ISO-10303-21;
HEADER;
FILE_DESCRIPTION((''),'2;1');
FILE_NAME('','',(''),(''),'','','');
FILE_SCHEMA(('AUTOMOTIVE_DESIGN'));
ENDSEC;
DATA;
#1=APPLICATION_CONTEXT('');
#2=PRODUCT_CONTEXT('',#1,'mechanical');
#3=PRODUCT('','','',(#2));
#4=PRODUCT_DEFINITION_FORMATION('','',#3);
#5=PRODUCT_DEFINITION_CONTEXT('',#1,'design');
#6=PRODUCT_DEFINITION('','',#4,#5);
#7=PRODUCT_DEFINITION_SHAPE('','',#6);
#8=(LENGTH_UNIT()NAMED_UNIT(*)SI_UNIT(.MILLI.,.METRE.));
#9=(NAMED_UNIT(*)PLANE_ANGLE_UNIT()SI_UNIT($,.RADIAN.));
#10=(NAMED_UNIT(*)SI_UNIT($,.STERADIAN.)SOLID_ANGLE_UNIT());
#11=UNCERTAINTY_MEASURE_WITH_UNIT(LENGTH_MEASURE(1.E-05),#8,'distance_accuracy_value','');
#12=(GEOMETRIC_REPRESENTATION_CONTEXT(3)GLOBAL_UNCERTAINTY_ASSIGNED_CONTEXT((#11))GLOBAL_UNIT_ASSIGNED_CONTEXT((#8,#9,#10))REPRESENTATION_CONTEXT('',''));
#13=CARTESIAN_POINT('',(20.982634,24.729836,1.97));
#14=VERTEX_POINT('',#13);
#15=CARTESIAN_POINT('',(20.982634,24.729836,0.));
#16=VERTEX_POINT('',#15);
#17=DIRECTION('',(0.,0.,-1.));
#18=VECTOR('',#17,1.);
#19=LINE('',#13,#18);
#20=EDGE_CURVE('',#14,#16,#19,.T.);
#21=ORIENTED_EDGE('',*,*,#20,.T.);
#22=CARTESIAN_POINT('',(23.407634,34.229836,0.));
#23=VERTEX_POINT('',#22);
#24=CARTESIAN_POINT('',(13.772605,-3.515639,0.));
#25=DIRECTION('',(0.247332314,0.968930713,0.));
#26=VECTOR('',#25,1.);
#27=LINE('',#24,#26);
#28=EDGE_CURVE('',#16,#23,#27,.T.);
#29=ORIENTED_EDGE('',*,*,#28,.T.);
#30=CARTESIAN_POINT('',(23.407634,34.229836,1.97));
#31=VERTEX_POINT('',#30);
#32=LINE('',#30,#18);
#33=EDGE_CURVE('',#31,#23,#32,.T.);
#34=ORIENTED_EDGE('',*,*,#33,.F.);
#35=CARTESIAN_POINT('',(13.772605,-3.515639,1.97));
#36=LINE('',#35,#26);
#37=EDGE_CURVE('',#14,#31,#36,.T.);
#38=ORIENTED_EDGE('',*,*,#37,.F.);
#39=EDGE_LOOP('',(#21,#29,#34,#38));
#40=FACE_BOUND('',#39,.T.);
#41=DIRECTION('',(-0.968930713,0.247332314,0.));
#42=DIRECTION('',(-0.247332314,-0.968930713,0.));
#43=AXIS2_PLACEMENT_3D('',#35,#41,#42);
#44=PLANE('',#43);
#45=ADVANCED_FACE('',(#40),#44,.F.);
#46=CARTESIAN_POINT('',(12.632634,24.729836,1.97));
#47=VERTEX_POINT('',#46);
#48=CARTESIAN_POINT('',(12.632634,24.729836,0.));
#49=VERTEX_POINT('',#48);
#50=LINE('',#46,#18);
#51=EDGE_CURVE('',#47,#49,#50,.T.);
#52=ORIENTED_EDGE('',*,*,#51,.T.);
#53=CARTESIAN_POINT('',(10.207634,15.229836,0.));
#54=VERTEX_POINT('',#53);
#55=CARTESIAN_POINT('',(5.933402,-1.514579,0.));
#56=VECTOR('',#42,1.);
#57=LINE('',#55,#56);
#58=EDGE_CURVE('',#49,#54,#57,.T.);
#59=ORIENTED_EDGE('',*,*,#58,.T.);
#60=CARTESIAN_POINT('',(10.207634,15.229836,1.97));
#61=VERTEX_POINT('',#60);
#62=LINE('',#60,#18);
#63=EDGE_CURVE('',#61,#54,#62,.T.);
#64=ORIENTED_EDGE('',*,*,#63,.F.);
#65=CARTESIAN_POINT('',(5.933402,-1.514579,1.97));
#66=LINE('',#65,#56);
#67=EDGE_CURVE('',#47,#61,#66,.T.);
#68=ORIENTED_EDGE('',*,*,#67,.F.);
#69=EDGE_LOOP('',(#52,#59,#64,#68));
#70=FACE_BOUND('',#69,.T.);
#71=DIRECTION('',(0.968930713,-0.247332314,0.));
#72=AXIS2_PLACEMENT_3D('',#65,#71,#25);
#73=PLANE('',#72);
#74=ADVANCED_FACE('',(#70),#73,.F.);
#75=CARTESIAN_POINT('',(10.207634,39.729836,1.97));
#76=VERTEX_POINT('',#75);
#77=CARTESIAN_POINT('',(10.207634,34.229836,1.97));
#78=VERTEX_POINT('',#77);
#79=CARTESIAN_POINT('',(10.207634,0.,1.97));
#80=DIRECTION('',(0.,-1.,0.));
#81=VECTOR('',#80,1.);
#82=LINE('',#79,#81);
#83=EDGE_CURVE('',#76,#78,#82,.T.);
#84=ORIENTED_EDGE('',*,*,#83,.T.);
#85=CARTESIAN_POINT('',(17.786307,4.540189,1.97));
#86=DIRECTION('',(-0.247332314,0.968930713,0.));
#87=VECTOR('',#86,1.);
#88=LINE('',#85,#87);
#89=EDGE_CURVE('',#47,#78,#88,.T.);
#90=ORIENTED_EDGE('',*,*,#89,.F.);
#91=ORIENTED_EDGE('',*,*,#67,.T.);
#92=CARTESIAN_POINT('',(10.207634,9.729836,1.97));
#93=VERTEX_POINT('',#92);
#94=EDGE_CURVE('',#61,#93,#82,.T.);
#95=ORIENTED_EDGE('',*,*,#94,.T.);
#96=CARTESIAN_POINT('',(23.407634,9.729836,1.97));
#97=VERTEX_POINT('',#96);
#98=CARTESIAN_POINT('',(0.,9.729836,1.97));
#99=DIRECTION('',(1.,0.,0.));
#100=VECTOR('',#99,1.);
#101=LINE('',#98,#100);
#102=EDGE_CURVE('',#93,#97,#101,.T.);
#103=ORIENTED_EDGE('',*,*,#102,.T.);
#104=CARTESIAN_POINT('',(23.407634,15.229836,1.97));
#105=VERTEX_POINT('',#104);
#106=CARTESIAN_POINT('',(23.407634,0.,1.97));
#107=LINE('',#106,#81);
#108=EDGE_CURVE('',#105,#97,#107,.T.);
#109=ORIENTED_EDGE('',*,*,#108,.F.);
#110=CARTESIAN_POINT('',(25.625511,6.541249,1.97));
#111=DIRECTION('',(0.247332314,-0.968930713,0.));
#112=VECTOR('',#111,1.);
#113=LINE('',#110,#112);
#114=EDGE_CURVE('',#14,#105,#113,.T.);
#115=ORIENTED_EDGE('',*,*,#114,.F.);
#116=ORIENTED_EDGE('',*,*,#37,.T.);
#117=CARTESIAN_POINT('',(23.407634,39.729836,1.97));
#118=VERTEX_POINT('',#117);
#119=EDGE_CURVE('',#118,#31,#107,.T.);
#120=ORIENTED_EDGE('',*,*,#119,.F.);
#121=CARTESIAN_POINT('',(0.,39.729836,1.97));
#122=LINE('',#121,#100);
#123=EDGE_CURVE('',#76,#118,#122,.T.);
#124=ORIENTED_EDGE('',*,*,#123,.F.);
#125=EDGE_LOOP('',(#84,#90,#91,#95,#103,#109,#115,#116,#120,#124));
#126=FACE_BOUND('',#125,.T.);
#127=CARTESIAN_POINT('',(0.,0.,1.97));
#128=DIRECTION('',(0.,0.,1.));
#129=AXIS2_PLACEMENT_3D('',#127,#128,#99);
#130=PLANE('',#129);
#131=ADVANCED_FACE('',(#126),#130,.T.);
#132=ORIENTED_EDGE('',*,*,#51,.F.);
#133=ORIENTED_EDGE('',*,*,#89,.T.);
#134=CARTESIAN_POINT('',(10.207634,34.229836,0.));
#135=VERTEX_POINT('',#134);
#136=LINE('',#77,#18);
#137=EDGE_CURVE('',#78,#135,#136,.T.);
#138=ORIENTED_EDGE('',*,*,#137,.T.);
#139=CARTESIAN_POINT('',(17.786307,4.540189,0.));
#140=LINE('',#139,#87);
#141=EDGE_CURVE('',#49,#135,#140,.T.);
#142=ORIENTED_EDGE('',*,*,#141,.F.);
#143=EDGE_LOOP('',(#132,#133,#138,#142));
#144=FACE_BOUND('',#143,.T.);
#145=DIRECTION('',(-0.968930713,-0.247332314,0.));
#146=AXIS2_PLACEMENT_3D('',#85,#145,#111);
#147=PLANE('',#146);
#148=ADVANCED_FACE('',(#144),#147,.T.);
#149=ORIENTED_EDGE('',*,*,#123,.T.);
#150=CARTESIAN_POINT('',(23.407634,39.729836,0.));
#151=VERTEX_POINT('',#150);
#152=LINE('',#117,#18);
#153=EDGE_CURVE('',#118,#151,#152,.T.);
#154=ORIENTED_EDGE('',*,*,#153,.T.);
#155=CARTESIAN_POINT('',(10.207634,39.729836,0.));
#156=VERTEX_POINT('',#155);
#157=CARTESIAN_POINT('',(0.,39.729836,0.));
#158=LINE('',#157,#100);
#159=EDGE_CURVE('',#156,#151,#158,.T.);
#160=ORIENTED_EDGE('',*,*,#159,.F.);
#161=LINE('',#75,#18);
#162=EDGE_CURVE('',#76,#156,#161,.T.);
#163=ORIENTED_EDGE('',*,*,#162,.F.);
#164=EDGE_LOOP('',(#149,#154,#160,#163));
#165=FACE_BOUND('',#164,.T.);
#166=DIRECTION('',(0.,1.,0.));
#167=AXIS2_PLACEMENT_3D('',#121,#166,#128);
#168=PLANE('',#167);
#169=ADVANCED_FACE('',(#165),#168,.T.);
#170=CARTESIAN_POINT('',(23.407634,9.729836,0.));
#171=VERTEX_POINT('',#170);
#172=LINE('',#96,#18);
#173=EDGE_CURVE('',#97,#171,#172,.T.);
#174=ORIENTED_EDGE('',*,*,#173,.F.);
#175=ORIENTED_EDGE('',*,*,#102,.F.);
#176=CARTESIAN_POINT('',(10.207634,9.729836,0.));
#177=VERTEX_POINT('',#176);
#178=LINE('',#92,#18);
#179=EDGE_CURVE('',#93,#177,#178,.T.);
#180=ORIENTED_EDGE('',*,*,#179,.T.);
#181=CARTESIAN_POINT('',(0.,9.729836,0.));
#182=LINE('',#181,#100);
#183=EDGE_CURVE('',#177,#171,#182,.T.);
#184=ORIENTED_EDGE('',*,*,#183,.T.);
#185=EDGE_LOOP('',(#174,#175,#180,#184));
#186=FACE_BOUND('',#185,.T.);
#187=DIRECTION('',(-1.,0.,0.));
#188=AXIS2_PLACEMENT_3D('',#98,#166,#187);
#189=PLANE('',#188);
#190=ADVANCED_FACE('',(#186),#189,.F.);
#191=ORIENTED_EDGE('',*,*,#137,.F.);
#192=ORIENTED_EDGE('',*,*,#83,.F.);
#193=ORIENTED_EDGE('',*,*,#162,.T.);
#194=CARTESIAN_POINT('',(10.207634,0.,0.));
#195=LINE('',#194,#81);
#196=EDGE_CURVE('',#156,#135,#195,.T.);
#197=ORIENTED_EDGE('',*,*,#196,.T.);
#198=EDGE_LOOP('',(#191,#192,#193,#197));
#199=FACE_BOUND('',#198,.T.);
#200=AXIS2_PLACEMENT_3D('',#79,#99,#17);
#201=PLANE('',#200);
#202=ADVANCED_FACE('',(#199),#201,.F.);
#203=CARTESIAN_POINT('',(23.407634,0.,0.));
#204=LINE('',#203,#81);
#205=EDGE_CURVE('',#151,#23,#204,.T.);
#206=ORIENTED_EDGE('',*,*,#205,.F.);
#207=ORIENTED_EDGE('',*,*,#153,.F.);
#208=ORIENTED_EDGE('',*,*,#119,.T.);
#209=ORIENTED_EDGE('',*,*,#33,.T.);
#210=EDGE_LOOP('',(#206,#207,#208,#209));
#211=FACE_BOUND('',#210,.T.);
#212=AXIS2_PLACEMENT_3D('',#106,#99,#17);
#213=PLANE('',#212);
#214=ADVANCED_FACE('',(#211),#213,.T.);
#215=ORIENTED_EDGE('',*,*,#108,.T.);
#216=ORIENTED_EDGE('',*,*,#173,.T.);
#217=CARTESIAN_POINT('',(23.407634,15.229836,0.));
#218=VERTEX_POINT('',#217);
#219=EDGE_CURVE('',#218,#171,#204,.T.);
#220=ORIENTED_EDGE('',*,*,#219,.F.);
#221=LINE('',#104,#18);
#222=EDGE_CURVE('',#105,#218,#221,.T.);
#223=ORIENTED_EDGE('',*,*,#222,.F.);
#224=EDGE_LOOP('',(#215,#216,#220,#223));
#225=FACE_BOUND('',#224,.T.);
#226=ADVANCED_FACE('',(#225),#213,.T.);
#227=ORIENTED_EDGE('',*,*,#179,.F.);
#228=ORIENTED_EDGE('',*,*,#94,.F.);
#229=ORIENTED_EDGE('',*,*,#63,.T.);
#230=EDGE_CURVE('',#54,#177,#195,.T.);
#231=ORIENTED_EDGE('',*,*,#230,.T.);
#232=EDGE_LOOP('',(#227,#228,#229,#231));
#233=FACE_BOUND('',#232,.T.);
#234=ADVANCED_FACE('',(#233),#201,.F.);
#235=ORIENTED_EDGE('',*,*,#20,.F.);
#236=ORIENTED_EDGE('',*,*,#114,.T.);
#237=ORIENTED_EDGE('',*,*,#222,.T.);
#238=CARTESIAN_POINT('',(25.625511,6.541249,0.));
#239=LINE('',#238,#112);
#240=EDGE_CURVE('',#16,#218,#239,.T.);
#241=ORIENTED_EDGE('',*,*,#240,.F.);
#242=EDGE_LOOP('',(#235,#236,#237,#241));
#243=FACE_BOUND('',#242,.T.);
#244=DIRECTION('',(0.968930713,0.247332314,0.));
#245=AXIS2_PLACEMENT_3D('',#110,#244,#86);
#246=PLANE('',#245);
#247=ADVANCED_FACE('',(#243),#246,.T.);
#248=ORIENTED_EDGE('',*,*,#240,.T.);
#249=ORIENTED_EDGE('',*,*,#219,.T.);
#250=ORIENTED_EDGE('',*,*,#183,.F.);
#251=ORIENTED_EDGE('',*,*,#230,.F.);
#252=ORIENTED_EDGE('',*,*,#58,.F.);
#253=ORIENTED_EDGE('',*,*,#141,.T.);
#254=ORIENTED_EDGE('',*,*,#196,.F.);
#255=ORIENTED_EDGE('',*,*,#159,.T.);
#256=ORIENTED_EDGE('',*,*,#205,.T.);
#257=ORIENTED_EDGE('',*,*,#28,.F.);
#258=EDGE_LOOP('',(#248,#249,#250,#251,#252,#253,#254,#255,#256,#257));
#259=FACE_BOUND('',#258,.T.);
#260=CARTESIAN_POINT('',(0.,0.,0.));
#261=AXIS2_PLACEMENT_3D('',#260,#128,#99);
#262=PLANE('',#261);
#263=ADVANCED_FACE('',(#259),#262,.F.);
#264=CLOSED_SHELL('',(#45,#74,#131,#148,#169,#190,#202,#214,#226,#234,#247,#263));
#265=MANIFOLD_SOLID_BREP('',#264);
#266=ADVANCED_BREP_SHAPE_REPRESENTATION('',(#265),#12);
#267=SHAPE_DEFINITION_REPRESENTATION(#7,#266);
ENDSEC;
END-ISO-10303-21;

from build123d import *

# Parameters (mm, degrees)
ESTRUSIONE_ESTRUSIONE1_DEPTH = 1.97


with BuildPart() as part:
    # Schizzo1 → Estrusione-Estrusione1 (new body)
    with BuildSketch(Plane.XY):
        Polygon((23.407634403, 39.729835541), (10.207634403, 39.729835541), (10.207634403, 34.229835541), (12.632634403, 24.729835541), (10.207634403, 15.229835541), (10.207634403, 9.729835541), (23.407634403, 9.729835541), (23.407634403, 15.229835541), (20.982634403, 24.729835541), (23.407634403, 34.229835541), align=None)
    extrude(amount=ESTRUSIONE_ESTRUSIONE1_DEPTH)


solid = part.part
